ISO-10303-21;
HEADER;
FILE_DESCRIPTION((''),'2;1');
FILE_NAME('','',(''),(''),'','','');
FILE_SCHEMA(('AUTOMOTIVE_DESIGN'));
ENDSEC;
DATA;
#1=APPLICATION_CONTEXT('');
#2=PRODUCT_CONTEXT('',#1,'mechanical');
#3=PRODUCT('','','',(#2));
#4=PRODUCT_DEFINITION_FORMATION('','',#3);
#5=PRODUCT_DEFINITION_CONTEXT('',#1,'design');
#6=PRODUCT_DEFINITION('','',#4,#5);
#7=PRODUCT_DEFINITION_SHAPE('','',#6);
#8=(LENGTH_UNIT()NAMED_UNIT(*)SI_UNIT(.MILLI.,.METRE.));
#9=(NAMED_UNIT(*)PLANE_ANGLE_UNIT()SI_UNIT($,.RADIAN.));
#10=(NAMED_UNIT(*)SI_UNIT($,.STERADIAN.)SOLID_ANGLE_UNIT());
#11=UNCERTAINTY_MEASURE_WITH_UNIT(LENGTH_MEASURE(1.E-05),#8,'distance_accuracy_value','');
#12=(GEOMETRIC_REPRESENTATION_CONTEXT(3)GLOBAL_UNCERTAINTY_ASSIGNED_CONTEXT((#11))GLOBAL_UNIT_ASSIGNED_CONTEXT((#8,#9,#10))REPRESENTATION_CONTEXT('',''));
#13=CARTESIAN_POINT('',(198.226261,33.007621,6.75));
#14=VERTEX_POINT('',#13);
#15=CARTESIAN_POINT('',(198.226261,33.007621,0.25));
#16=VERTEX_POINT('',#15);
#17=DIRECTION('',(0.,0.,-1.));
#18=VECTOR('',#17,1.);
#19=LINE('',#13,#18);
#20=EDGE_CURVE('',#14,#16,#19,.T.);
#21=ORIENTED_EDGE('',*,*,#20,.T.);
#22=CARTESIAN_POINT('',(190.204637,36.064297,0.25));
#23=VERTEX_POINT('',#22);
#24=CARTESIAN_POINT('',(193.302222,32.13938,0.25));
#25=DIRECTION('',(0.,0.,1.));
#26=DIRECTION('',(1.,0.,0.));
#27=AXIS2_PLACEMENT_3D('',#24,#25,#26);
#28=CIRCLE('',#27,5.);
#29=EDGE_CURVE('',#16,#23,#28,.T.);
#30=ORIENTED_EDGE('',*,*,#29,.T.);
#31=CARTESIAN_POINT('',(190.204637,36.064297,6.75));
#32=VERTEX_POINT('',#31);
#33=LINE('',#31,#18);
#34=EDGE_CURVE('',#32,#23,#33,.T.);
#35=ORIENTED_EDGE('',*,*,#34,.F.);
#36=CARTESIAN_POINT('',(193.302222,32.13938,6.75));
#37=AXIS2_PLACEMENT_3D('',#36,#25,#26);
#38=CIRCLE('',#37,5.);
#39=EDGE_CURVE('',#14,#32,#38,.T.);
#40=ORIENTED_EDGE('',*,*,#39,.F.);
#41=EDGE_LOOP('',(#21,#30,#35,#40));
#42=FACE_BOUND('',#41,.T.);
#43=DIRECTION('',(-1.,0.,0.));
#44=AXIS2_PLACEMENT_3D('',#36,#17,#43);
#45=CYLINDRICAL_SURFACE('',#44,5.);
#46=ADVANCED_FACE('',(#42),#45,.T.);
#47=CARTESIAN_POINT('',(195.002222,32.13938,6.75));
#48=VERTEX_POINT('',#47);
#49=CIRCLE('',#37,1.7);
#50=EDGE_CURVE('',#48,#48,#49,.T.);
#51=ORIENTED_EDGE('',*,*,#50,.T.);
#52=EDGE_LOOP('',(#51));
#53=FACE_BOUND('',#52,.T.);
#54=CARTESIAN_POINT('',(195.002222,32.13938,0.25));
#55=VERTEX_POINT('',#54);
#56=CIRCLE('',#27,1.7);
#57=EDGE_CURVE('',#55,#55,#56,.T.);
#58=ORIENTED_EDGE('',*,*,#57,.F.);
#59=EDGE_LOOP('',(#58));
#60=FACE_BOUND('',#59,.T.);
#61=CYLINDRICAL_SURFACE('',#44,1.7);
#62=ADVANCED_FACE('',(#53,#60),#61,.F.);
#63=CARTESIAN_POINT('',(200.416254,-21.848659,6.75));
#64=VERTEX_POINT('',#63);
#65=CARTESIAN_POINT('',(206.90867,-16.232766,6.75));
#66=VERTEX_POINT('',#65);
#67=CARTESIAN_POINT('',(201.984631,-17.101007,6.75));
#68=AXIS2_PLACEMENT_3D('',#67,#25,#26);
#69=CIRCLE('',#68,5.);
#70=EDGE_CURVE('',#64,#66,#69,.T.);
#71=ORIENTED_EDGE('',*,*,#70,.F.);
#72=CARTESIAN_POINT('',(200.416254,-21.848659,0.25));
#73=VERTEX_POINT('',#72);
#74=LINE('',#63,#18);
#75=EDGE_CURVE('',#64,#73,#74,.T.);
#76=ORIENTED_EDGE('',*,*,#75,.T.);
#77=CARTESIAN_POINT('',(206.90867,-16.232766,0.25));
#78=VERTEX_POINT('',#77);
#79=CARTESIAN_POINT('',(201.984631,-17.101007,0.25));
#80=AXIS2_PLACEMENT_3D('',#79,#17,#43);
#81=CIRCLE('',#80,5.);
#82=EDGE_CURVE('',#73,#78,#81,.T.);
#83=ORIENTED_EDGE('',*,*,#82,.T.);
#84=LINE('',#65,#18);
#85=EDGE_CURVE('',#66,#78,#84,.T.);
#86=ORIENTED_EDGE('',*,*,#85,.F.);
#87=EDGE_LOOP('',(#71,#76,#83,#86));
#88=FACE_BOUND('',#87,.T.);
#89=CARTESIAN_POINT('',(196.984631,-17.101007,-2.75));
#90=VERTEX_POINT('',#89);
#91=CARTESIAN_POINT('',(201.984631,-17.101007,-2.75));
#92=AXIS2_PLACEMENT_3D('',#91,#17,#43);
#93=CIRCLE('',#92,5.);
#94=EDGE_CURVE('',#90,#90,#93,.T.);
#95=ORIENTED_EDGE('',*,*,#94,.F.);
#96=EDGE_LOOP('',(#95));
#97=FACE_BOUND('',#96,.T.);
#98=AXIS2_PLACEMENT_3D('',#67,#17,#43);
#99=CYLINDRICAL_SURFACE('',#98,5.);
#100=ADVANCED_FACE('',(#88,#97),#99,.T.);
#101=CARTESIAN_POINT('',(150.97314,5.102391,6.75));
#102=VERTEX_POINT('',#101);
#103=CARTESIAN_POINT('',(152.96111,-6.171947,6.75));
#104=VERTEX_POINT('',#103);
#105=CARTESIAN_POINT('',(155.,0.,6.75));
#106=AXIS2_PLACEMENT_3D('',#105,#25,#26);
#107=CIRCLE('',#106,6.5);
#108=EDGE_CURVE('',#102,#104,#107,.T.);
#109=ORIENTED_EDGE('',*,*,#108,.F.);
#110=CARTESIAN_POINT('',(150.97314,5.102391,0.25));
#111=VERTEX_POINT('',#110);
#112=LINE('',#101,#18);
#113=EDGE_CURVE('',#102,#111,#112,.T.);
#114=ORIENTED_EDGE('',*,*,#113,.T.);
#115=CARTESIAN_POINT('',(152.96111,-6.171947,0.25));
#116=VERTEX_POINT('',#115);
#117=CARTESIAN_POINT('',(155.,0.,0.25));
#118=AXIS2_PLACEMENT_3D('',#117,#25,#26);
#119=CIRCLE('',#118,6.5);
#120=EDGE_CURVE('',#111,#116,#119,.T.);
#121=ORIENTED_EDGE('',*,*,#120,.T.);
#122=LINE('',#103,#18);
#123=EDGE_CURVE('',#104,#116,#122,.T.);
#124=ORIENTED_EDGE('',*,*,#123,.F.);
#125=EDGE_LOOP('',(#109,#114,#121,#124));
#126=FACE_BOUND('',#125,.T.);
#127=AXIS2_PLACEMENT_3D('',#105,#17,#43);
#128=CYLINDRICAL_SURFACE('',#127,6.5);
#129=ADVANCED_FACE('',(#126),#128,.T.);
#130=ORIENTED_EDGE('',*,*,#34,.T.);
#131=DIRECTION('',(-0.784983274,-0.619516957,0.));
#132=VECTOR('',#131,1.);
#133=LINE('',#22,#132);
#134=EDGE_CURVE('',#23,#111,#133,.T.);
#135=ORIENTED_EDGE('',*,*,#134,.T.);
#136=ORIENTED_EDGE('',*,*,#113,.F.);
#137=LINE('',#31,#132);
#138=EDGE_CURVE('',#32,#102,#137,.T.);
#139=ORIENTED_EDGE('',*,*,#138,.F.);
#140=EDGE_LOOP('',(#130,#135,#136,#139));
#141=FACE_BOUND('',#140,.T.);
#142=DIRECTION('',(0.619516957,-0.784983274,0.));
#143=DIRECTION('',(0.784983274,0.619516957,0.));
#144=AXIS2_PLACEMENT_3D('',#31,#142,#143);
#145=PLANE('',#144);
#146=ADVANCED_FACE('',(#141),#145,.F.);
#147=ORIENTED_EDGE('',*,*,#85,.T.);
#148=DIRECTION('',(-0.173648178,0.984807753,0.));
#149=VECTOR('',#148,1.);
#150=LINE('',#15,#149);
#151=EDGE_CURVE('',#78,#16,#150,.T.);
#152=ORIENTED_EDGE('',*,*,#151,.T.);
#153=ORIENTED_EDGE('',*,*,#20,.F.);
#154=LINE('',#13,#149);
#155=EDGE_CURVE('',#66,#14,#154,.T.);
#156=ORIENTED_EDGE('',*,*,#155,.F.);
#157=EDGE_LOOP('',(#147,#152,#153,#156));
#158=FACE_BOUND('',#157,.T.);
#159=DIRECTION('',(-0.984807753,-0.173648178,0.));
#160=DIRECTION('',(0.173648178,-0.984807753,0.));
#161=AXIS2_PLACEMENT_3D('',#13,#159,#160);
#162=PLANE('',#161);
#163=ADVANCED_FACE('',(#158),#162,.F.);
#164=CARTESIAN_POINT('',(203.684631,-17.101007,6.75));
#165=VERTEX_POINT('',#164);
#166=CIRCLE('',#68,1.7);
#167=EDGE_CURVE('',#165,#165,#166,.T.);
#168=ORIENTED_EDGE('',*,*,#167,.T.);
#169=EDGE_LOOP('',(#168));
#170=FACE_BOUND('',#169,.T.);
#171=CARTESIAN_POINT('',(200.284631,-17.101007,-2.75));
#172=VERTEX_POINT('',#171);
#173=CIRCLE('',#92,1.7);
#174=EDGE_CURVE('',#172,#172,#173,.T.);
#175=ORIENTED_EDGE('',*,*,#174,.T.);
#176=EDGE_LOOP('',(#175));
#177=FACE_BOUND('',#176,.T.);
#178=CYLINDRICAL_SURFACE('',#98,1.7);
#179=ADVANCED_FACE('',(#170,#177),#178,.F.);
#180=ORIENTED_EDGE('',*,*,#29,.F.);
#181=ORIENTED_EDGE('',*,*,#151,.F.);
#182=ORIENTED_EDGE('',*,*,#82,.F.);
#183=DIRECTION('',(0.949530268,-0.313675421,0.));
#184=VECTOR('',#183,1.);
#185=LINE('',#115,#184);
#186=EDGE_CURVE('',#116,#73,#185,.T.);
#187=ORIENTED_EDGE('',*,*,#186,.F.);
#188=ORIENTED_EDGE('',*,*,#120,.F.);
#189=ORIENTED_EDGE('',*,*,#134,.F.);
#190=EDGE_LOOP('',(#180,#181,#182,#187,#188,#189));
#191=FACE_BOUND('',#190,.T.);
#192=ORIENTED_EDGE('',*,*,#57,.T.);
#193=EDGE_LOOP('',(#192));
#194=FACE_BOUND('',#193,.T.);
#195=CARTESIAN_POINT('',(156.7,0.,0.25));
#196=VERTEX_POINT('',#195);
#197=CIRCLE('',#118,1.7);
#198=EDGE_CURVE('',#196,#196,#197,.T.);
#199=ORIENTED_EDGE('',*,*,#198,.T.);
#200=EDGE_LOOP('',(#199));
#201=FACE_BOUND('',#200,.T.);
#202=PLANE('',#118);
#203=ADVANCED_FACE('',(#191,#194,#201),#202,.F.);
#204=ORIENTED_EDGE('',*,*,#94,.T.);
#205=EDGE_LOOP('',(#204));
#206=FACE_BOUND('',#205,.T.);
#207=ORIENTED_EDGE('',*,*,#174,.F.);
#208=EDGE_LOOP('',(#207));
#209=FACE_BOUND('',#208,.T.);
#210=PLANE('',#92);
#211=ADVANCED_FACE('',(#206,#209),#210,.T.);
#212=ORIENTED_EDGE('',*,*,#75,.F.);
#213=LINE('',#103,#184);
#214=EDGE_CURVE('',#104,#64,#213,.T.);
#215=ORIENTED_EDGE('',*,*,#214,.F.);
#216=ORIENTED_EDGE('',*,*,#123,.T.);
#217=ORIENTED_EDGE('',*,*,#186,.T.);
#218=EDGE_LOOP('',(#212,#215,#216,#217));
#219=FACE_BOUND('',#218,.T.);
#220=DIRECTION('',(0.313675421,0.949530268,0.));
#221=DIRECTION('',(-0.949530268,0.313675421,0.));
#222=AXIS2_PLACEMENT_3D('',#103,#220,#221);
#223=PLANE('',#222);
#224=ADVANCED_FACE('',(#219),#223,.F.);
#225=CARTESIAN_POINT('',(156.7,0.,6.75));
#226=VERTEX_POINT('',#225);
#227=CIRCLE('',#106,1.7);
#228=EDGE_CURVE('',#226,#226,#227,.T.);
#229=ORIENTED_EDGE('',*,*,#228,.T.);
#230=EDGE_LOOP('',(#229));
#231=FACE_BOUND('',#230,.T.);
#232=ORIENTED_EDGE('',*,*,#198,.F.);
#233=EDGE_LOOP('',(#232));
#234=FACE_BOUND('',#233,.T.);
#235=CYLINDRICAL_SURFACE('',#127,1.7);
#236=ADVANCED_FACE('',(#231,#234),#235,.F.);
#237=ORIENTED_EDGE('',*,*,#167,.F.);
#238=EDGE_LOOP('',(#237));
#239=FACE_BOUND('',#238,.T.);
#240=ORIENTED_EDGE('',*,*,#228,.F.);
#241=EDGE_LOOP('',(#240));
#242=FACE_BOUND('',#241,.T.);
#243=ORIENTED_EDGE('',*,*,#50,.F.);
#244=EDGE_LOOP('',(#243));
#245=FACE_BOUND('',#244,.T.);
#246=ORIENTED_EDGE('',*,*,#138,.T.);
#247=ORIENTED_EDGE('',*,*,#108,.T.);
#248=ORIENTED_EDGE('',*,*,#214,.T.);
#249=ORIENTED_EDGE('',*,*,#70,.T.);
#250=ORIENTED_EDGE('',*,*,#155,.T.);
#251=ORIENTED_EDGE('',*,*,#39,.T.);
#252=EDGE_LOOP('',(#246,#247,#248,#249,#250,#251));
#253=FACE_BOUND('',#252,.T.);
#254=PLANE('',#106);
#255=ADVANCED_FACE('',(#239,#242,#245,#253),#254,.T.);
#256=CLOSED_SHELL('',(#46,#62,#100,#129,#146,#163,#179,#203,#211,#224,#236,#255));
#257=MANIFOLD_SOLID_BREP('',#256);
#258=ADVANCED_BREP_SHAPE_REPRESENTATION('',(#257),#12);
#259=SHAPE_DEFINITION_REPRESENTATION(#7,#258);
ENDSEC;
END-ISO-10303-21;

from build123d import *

# Parameters (mm, degrees)
EXTRUDE_START   = 0.25
SKETCH_1_R      = 1.7
EXTRUDE_1_DEPTH = 6.5
SKETCH_2_R      = 5
SKETCH_2_R_2    = 1.7
EXTRUDE_2_DEPTH = 3


with BuildPart() as part:
    # 草图1 → 凸台-拉伸1 (new body)
    with BuildSketch(Plane.XY.offset(EXTRUDE_START)):
        with BuildLine():
            Line((198.226260921, 33.007621373), (206.908669804, -16.232766278))
            ThreePointArc((206.908669804, -16.232766278), (205.255667217, -20.882583864), (200.416253934, -21.848658507))
            Line((200.416253934, -21.848658507), (152.961109764, -6.171946743))
            ThreePointArc((152.961109764, -6.171946743), (148.598749605, -1.128713155), (150.97313978, 5.10239128))
            Line((150.97313978, 5.10239128), (190.204637372, 36.064296853))
            ThreePointArc((190.204637372, 36.064296853), (195.08261531, 36.811660465), (198.226260921, 33.007621373))
        make_face()
        with Locations((201.984631039, -17.101007166)):
            Circle(SKETCH_1_R, mode=Mode.SUBTRACT)
        with Locations((155, 0)):
            Circle(SKETCH_1_R, mode=Mode.SUBTRACT)
        with Locations((193.302222156, 32.139380484)):
            Circle(SKETCH_1_R, mode=Mode.SUBTRACT)
    extrude(amount=EXTRUDE_1_DEPTH)

    # 草图2 → 凸台-拉伸2 (add)
    with BuildSketch(Plane(origin=(0, 0, 0.25), x_dir=(-1, 0, 0), z_dir=(0, 0, -1))):
        with Locations((-201.984631039, -17.101007166)):
            Circle(SKETCH_2_R)
        with Locations((-201.984631039, -17.101007166)):
            Circle(SKETCH_2_R_2, mode=Mode.SUBTRACT)
    extrude(amount=EXTRUDE_2_DEPTH)


solid = part.part
